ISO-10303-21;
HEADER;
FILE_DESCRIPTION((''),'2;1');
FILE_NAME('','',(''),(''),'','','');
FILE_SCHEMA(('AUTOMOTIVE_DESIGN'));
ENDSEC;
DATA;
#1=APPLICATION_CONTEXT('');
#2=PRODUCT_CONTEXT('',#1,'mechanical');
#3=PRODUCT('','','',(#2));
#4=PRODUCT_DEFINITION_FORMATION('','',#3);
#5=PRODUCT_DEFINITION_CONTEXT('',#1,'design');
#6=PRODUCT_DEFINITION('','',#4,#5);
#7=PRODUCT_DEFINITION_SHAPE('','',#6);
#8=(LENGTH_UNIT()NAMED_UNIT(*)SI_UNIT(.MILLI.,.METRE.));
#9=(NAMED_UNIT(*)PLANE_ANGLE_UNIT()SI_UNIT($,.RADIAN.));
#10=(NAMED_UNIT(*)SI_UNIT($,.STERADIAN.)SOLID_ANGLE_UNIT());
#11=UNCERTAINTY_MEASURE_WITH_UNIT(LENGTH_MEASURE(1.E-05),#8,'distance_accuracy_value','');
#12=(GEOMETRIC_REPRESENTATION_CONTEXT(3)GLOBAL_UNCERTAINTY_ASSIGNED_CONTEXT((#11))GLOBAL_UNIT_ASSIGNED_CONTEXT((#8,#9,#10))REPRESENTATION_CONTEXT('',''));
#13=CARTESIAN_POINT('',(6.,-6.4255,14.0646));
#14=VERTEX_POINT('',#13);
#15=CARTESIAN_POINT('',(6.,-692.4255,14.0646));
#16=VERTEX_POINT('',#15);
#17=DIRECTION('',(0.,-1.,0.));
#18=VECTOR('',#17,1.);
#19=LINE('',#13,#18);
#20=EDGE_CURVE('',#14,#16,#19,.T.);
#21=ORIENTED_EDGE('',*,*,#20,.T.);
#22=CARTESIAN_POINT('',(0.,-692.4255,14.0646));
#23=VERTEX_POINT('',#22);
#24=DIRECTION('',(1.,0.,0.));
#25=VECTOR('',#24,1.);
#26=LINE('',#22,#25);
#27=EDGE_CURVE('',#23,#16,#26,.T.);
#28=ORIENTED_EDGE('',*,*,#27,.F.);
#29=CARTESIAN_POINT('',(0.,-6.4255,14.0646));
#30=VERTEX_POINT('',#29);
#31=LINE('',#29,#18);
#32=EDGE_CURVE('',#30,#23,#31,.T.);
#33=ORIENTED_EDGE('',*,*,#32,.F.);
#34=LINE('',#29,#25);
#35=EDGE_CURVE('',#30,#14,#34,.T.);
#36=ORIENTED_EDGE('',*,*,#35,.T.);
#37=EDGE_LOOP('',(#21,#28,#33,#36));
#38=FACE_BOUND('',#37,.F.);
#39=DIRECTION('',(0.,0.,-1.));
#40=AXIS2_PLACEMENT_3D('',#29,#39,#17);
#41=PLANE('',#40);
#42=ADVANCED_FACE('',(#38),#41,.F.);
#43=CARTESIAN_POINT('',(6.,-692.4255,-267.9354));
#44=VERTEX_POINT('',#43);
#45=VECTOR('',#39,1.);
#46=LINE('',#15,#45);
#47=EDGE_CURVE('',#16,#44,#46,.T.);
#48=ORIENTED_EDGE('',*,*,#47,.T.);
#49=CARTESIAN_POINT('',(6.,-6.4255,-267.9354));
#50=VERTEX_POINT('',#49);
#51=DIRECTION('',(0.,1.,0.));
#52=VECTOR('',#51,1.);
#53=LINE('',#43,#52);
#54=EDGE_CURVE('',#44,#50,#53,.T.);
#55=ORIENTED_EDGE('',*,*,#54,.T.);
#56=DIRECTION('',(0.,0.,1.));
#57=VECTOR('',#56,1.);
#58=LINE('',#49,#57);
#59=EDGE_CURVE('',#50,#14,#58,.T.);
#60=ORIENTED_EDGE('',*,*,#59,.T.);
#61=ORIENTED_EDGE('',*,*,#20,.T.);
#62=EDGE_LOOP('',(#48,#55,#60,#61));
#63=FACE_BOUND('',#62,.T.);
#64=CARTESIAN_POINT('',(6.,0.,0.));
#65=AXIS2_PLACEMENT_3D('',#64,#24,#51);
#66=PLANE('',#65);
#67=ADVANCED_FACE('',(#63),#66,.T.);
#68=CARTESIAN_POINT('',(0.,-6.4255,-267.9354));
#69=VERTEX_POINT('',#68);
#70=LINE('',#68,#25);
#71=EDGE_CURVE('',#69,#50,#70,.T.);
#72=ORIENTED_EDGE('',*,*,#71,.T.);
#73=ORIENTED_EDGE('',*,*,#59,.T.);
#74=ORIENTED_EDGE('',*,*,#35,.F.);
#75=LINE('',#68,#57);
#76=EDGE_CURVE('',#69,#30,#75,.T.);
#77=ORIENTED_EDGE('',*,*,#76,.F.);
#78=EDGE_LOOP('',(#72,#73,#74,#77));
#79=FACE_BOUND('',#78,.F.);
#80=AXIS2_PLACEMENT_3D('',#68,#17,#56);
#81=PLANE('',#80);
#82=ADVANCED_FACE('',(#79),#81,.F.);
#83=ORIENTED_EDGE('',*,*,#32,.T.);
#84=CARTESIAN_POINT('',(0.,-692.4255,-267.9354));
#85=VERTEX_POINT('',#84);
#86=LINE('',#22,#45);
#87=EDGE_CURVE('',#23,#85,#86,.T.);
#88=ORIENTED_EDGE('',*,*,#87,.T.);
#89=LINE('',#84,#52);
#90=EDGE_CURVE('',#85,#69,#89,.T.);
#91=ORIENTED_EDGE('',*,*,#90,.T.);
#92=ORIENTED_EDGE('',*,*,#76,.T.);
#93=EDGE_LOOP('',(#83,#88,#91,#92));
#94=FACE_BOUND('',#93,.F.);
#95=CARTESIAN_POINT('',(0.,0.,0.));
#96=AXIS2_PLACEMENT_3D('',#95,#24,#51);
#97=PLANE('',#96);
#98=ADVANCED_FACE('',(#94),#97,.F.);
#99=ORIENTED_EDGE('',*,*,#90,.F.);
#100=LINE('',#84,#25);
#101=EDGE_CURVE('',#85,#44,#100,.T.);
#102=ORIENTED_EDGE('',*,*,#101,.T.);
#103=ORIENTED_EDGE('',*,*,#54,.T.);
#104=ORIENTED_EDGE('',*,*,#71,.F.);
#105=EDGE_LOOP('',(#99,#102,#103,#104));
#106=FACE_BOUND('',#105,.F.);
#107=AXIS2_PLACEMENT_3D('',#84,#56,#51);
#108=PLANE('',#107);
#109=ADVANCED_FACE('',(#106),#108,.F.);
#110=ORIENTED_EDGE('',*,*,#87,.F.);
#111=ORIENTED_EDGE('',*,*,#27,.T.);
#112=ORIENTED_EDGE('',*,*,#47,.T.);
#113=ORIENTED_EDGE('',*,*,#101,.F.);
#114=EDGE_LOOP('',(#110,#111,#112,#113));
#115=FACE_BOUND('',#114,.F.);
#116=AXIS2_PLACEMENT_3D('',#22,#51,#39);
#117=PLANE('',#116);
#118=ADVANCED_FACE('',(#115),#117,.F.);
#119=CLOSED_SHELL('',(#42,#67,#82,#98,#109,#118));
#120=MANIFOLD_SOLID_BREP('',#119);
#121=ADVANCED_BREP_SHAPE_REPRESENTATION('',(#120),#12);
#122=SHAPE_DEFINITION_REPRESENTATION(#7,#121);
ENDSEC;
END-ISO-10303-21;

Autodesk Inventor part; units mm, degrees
ref_plane "YZ Plane" through (0, 0, 0) normal (1, 0, 0) x (0, 1, 0)
ref_plane "XZ Plane" through (0, 0, 0) normal (0, 1, 0) x (-1, 0, 0)
ref_plane "XY Plane" through (0, 0, 0) normal (0, 0, 1) x (1, 0, 0)
sketch "Sketch1" plane through (0, 0, 0) normal (1, 0, 0) x (0, 1, 0)
  line L0 (-6.4255, 14.0646) -> (-692.4255, 14.0646)
  line L1 (-692.4255, 14.0646) -> (-692.4255, -267.9354)
  line L2 (-692.4255, -267.9354) -> (-6.4255, -267.9354)
  line L3 (-6.4255, -267.9354) -> (-6.4255, 14.0646)
  point P0 (0, 0)
  dimension "b" = 686
  dimension "d1" = 282
extrude "Extrusion1" add sketch "Sketch1" along normal blind 6
properties part number "CUT PART B"
